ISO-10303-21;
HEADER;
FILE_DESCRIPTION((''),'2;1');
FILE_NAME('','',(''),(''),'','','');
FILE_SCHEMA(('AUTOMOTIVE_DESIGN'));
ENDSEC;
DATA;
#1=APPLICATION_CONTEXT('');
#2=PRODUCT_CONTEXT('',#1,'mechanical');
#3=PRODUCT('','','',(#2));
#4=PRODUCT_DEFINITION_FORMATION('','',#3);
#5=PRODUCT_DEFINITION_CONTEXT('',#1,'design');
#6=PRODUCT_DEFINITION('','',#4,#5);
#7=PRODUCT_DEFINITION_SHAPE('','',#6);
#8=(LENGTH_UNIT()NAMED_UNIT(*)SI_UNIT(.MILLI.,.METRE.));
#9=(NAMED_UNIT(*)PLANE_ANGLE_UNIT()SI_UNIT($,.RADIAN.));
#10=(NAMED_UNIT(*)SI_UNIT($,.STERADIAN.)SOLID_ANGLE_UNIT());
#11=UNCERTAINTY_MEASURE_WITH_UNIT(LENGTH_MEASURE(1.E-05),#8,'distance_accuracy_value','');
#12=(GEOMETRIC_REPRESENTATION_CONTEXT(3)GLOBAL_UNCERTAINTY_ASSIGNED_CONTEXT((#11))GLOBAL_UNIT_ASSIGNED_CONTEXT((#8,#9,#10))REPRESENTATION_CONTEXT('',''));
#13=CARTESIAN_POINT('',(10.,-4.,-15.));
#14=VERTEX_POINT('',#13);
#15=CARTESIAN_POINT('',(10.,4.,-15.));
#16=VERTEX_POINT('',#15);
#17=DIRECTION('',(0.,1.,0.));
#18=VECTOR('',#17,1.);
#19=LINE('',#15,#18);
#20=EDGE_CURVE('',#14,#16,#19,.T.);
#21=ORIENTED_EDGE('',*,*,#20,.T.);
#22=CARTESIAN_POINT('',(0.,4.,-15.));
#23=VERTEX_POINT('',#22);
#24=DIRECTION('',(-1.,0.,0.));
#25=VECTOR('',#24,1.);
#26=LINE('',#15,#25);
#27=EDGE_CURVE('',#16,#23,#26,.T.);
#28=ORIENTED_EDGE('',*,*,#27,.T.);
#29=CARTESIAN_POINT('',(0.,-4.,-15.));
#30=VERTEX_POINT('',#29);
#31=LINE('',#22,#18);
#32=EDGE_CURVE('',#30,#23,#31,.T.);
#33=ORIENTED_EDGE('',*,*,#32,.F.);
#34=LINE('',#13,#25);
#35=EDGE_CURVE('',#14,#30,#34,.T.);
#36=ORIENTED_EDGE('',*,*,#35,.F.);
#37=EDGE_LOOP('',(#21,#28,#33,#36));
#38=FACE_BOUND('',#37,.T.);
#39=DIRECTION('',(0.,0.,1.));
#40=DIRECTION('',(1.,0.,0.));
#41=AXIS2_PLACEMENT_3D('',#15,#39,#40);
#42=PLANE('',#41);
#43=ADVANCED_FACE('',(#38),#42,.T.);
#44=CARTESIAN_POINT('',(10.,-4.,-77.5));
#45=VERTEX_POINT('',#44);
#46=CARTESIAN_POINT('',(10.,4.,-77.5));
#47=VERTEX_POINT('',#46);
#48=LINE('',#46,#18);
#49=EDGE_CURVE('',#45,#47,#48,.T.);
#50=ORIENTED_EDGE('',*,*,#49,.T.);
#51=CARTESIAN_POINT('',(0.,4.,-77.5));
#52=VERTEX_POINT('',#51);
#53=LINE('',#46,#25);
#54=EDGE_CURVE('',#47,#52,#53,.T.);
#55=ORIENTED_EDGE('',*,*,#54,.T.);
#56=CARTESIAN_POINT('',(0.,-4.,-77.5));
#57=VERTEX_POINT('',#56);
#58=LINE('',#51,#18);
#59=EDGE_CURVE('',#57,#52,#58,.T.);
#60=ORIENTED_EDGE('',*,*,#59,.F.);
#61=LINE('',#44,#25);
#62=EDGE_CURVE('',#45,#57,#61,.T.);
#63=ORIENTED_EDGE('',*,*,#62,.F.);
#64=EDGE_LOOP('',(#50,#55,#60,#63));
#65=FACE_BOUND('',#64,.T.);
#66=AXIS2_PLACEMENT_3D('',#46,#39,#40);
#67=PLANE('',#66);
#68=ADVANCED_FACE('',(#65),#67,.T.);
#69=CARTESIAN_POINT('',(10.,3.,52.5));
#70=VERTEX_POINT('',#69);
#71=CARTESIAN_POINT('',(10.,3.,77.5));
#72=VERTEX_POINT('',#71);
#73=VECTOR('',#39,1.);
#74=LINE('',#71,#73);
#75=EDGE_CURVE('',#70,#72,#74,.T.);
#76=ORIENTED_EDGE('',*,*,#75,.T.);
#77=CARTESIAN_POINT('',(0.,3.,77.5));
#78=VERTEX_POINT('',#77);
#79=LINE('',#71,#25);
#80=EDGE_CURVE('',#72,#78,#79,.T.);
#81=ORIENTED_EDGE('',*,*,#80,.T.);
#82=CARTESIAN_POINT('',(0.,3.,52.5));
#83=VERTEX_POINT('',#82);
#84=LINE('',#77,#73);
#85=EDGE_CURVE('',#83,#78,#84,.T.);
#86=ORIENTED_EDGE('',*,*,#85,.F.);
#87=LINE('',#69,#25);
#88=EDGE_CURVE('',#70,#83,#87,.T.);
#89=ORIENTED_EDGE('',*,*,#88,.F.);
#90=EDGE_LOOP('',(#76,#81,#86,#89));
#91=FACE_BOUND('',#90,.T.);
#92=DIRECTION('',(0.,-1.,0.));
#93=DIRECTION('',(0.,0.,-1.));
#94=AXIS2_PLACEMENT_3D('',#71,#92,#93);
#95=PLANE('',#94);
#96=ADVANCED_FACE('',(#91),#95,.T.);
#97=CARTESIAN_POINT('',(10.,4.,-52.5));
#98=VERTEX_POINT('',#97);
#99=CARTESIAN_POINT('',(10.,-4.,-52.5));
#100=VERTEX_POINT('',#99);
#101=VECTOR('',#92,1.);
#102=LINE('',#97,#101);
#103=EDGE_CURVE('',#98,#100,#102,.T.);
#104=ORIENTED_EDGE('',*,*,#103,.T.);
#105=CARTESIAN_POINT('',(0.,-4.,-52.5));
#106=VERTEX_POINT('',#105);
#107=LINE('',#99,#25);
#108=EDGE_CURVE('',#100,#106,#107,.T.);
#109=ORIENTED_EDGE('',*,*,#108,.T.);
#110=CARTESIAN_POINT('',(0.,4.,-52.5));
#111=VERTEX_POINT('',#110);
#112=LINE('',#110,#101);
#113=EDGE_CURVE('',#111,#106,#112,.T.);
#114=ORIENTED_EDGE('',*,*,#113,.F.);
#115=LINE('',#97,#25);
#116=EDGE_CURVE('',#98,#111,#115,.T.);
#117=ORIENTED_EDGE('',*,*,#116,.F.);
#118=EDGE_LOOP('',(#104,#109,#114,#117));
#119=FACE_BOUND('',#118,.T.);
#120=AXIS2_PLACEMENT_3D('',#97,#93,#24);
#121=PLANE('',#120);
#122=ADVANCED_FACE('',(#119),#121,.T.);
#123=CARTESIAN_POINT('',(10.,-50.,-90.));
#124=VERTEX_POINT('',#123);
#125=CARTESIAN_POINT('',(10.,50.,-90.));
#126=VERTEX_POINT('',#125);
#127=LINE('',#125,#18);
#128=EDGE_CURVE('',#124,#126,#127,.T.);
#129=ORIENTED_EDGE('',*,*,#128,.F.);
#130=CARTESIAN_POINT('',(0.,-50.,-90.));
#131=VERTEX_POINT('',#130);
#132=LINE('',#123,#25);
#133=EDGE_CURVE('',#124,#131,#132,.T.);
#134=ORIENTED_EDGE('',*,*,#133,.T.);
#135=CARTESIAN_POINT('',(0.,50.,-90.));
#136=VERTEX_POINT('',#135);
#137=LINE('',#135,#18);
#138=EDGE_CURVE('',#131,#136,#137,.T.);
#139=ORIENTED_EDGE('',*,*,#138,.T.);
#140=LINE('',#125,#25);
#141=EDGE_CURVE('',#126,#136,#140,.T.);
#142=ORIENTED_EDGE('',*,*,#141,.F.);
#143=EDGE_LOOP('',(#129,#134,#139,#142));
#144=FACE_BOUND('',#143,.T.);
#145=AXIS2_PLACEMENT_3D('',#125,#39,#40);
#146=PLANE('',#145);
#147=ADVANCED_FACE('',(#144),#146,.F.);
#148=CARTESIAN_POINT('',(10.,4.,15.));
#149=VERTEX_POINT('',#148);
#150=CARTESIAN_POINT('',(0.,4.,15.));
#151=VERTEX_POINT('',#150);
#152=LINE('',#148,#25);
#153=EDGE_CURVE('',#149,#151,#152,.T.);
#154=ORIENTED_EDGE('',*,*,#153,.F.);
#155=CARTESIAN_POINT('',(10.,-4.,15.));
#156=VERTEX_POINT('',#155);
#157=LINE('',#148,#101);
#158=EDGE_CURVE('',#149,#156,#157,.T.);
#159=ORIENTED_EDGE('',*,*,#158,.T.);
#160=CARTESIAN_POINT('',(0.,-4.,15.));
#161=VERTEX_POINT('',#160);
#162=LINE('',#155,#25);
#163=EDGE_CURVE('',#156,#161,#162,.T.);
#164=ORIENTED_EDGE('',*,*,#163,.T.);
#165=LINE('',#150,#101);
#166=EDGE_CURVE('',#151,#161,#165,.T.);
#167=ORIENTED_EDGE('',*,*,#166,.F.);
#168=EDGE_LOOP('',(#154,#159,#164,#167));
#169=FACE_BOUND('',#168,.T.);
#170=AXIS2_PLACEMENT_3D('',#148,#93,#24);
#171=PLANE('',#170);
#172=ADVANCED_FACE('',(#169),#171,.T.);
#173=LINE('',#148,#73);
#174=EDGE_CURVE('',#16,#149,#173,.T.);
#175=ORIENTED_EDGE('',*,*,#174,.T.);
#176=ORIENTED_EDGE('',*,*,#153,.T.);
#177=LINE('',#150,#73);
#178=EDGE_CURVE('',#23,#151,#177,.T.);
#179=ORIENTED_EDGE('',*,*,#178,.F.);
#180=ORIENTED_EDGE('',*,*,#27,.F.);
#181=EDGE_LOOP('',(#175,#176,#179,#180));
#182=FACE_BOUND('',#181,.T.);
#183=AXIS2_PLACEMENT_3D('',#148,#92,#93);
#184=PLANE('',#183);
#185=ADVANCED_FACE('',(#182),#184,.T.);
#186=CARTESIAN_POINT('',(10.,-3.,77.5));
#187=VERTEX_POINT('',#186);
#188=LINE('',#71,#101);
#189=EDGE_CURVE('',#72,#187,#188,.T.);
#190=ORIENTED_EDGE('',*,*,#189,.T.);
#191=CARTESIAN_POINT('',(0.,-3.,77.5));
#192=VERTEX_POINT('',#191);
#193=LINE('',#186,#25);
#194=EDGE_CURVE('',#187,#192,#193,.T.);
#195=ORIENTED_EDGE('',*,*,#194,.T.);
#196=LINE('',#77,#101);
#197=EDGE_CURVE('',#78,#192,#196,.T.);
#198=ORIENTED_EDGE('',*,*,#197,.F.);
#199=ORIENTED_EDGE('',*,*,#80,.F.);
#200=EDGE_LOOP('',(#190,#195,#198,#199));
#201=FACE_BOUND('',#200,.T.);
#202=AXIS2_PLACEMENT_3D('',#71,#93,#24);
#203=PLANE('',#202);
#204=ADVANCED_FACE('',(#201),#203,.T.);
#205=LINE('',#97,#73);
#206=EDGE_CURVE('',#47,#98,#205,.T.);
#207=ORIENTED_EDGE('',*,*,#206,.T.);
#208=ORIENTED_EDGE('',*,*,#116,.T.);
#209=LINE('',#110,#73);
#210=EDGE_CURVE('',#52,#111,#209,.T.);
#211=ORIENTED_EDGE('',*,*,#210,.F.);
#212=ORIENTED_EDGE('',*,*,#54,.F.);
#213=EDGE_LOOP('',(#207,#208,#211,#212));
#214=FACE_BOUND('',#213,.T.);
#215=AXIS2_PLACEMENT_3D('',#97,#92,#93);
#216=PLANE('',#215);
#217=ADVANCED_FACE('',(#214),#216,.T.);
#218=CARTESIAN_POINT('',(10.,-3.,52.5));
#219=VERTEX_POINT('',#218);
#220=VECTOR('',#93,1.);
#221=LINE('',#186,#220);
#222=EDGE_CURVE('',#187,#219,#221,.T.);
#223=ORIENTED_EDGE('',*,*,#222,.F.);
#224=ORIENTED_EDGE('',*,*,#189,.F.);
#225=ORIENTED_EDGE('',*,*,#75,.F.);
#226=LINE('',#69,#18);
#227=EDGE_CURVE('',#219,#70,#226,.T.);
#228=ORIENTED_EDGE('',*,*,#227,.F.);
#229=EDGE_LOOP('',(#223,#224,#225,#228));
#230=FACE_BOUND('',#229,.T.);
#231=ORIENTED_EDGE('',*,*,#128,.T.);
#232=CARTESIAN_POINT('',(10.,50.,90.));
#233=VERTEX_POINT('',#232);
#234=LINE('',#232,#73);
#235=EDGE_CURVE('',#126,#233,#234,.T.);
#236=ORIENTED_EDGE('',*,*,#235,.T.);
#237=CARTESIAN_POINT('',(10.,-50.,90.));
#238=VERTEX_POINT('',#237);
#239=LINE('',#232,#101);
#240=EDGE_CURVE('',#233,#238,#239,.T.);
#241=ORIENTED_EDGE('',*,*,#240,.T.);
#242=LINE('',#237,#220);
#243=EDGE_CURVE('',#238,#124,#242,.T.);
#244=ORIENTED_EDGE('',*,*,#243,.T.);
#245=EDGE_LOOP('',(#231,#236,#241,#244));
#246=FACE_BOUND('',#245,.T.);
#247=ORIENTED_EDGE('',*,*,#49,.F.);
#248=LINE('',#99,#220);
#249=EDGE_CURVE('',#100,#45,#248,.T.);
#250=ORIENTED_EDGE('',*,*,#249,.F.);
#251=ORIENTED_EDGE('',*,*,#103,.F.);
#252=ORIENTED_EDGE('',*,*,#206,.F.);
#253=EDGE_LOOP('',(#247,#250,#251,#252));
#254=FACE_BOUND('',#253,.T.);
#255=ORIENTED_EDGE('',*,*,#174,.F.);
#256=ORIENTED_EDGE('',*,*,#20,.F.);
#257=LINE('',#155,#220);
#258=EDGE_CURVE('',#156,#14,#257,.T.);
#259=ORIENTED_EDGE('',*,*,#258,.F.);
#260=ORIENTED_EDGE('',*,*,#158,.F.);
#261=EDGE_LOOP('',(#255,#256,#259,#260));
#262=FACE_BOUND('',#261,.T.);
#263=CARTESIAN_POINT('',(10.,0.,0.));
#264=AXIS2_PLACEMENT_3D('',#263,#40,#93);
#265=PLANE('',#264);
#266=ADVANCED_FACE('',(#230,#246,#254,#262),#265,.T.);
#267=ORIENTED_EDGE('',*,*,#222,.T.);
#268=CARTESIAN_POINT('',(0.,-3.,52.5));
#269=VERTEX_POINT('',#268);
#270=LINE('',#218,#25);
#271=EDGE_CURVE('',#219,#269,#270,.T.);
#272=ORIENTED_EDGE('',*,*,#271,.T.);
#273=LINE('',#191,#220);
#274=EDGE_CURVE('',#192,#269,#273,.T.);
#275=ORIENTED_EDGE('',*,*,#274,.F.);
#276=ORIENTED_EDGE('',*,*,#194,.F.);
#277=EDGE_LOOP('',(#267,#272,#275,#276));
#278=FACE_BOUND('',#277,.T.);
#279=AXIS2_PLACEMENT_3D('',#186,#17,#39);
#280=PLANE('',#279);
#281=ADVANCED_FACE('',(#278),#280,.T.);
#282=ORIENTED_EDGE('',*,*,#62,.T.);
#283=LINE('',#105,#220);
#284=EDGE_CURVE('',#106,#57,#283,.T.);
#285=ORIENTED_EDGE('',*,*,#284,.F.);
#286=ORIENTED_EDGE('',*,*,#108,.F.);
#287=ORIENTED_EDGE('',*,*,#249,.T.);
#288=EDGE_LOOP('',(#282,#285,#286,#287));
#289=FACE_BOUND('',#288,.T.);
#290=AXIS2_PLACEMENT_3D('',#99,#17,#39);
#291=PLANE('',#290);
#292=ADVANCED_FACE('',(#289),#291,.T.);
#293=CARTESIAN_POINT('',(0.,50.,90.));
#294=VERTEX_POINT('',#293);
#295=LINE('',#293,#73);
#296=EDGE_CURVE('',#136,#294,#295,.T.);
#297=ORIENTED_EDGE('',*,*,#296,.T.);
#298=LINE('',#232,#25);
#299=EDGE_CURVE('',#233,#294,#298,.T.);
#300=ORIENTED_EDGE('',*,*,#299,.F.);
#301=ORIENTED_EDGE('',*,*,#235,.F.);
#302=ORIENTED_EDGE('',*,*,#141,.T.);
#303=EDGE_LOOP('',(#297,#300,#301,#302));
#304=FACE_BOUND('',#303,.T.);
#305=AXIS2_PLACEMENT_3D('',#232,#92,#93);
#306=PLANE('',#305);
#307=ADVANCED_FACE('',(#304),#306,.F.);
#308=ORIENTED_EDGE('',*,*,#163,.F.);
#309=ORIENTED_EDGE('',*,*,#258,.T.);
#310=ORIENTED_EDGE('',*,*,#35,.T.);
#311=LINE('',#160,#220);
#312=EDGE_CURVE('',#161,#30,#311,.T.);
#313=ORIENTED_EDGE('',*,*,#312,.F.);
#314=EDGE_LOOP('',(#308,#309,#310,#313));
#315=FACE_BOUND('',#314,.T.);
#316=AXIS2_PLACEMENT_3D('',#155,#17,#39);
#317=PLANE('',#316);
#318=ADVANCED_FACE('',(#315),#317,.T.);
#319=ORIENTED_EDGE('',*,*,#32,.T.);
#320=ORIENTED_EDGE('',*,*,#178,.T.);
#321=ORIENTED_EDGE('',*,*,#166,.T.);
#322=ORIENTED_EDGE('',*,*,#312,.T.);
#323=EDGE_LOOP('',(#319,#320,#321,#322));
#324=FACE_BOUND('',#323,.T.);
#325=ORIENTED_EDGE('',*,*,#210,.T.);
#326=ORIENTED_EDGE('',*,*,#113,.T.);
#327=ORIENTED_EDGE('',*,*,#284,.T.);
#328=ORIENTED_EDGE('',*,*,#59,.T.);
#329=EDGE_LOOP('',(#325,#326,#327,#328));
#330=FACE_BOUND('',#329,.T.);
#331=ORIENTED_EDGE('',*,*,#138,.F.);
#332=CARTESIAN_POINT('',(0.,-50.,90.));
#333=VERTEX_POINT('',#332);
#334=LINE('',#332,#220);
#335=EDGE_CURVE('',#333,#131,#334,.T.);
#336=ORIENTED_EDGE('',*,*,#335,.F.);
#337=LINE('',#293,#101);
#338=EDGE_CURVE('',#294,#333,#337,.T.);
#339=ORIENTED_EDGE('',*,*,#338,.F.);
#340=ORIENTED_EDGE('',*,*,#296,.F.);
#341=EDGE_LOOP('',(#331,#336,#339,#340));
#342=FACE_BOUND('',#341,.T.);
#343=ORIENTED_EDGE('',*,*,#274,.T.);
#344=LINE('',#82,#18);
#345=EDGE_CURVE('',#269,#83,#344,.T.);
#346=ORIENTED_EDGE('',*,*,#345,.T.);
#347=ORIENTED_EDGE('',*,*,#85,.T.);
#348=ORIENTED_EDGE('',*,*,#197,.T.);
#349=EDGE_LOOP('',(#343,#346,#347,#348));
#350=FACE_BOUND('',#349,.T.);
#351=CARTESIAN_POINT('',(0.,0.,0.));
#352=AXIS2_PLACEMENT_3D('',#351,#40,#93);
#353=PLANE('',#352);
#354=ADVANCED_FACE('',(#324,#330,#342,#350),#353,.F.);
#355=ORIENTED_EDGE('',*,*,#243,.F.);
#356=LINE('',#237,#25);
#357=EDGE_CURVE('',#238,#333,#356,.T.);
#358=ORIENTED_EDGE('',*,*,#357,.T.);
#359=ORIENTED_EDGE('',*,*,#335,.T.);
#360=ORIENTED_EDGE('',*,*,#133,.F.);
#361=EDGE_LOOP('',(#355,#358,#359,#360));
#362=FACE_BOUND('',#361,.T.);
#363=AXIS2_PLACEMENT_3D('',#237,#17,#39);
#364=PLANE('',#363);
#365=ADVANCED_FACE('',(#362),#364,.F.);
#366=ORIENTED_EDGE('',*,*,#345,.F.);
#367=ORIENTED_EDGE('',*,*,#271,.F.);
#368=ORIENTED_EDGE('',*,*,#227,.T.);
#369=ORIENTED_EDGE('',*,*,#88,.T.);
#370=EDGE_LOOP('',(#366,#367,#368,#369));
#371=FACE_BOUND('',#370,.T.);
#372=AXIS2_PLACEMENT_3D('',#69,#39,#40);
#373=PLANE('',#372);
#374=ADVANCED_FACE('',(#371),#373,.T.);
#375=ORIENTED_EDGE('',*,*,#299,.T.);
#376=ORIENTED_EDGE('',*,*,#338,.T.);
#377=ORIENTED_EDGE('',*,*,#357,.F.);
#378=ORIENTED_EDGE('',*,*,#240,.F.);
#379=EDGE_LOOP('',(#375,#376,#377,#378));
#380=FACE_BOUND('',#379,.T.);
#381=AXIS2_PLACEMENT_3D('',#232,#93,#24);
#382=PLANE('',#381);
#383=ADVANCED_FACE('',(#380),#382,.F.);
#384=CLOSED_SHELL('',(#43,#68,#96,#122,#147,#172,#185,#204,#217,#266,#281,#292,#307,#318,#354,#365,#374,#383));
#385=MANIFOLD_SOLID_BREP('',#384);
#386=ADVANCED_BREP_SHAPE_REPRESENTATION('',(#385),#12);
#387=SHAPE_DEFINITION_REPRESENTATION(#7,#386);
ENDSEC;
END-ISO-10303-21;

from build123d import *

# Parameters (mm, degrees)
SKETCH1_W           = 180
SKETCH1_H           = 100
SKETCH1_W_2         = 30
SKETCH1_H_2         = 8
SKETCH1_W_3         = 25
SKETCH1_H_3         = 6
BOSS_EXTRUDE1_DEPTH = 10


with BuildPart() as part:
    # Sketch1 → Boss-Extrude1 (new body)
    with BuildSketch(Plane(origin=(0, 0, 0), x_dir=(0, 0, -1), z_dir=(1, 0, 0))):
        Rectangle(SKETCH1_W, SKETCH1_H)
        Rectangle(SKETCH1_W_2, SKETCH1_H_2, mode=Mode.SUBTRACT)
        with Locations((-65, 0)):
            Rectangle(SKETCH1_W_3, SKETCH1_H_3, mode=Mode.SUBTRACT)
        with Locations((65, 0)):
            Rectangle(SKETCH1_W_3, SKETCH1_H_2, mode=Mode.SUBTRACT)
    extrude(amount=BOSS_EXTRUDE1_DEPTH)


solid = part.part
